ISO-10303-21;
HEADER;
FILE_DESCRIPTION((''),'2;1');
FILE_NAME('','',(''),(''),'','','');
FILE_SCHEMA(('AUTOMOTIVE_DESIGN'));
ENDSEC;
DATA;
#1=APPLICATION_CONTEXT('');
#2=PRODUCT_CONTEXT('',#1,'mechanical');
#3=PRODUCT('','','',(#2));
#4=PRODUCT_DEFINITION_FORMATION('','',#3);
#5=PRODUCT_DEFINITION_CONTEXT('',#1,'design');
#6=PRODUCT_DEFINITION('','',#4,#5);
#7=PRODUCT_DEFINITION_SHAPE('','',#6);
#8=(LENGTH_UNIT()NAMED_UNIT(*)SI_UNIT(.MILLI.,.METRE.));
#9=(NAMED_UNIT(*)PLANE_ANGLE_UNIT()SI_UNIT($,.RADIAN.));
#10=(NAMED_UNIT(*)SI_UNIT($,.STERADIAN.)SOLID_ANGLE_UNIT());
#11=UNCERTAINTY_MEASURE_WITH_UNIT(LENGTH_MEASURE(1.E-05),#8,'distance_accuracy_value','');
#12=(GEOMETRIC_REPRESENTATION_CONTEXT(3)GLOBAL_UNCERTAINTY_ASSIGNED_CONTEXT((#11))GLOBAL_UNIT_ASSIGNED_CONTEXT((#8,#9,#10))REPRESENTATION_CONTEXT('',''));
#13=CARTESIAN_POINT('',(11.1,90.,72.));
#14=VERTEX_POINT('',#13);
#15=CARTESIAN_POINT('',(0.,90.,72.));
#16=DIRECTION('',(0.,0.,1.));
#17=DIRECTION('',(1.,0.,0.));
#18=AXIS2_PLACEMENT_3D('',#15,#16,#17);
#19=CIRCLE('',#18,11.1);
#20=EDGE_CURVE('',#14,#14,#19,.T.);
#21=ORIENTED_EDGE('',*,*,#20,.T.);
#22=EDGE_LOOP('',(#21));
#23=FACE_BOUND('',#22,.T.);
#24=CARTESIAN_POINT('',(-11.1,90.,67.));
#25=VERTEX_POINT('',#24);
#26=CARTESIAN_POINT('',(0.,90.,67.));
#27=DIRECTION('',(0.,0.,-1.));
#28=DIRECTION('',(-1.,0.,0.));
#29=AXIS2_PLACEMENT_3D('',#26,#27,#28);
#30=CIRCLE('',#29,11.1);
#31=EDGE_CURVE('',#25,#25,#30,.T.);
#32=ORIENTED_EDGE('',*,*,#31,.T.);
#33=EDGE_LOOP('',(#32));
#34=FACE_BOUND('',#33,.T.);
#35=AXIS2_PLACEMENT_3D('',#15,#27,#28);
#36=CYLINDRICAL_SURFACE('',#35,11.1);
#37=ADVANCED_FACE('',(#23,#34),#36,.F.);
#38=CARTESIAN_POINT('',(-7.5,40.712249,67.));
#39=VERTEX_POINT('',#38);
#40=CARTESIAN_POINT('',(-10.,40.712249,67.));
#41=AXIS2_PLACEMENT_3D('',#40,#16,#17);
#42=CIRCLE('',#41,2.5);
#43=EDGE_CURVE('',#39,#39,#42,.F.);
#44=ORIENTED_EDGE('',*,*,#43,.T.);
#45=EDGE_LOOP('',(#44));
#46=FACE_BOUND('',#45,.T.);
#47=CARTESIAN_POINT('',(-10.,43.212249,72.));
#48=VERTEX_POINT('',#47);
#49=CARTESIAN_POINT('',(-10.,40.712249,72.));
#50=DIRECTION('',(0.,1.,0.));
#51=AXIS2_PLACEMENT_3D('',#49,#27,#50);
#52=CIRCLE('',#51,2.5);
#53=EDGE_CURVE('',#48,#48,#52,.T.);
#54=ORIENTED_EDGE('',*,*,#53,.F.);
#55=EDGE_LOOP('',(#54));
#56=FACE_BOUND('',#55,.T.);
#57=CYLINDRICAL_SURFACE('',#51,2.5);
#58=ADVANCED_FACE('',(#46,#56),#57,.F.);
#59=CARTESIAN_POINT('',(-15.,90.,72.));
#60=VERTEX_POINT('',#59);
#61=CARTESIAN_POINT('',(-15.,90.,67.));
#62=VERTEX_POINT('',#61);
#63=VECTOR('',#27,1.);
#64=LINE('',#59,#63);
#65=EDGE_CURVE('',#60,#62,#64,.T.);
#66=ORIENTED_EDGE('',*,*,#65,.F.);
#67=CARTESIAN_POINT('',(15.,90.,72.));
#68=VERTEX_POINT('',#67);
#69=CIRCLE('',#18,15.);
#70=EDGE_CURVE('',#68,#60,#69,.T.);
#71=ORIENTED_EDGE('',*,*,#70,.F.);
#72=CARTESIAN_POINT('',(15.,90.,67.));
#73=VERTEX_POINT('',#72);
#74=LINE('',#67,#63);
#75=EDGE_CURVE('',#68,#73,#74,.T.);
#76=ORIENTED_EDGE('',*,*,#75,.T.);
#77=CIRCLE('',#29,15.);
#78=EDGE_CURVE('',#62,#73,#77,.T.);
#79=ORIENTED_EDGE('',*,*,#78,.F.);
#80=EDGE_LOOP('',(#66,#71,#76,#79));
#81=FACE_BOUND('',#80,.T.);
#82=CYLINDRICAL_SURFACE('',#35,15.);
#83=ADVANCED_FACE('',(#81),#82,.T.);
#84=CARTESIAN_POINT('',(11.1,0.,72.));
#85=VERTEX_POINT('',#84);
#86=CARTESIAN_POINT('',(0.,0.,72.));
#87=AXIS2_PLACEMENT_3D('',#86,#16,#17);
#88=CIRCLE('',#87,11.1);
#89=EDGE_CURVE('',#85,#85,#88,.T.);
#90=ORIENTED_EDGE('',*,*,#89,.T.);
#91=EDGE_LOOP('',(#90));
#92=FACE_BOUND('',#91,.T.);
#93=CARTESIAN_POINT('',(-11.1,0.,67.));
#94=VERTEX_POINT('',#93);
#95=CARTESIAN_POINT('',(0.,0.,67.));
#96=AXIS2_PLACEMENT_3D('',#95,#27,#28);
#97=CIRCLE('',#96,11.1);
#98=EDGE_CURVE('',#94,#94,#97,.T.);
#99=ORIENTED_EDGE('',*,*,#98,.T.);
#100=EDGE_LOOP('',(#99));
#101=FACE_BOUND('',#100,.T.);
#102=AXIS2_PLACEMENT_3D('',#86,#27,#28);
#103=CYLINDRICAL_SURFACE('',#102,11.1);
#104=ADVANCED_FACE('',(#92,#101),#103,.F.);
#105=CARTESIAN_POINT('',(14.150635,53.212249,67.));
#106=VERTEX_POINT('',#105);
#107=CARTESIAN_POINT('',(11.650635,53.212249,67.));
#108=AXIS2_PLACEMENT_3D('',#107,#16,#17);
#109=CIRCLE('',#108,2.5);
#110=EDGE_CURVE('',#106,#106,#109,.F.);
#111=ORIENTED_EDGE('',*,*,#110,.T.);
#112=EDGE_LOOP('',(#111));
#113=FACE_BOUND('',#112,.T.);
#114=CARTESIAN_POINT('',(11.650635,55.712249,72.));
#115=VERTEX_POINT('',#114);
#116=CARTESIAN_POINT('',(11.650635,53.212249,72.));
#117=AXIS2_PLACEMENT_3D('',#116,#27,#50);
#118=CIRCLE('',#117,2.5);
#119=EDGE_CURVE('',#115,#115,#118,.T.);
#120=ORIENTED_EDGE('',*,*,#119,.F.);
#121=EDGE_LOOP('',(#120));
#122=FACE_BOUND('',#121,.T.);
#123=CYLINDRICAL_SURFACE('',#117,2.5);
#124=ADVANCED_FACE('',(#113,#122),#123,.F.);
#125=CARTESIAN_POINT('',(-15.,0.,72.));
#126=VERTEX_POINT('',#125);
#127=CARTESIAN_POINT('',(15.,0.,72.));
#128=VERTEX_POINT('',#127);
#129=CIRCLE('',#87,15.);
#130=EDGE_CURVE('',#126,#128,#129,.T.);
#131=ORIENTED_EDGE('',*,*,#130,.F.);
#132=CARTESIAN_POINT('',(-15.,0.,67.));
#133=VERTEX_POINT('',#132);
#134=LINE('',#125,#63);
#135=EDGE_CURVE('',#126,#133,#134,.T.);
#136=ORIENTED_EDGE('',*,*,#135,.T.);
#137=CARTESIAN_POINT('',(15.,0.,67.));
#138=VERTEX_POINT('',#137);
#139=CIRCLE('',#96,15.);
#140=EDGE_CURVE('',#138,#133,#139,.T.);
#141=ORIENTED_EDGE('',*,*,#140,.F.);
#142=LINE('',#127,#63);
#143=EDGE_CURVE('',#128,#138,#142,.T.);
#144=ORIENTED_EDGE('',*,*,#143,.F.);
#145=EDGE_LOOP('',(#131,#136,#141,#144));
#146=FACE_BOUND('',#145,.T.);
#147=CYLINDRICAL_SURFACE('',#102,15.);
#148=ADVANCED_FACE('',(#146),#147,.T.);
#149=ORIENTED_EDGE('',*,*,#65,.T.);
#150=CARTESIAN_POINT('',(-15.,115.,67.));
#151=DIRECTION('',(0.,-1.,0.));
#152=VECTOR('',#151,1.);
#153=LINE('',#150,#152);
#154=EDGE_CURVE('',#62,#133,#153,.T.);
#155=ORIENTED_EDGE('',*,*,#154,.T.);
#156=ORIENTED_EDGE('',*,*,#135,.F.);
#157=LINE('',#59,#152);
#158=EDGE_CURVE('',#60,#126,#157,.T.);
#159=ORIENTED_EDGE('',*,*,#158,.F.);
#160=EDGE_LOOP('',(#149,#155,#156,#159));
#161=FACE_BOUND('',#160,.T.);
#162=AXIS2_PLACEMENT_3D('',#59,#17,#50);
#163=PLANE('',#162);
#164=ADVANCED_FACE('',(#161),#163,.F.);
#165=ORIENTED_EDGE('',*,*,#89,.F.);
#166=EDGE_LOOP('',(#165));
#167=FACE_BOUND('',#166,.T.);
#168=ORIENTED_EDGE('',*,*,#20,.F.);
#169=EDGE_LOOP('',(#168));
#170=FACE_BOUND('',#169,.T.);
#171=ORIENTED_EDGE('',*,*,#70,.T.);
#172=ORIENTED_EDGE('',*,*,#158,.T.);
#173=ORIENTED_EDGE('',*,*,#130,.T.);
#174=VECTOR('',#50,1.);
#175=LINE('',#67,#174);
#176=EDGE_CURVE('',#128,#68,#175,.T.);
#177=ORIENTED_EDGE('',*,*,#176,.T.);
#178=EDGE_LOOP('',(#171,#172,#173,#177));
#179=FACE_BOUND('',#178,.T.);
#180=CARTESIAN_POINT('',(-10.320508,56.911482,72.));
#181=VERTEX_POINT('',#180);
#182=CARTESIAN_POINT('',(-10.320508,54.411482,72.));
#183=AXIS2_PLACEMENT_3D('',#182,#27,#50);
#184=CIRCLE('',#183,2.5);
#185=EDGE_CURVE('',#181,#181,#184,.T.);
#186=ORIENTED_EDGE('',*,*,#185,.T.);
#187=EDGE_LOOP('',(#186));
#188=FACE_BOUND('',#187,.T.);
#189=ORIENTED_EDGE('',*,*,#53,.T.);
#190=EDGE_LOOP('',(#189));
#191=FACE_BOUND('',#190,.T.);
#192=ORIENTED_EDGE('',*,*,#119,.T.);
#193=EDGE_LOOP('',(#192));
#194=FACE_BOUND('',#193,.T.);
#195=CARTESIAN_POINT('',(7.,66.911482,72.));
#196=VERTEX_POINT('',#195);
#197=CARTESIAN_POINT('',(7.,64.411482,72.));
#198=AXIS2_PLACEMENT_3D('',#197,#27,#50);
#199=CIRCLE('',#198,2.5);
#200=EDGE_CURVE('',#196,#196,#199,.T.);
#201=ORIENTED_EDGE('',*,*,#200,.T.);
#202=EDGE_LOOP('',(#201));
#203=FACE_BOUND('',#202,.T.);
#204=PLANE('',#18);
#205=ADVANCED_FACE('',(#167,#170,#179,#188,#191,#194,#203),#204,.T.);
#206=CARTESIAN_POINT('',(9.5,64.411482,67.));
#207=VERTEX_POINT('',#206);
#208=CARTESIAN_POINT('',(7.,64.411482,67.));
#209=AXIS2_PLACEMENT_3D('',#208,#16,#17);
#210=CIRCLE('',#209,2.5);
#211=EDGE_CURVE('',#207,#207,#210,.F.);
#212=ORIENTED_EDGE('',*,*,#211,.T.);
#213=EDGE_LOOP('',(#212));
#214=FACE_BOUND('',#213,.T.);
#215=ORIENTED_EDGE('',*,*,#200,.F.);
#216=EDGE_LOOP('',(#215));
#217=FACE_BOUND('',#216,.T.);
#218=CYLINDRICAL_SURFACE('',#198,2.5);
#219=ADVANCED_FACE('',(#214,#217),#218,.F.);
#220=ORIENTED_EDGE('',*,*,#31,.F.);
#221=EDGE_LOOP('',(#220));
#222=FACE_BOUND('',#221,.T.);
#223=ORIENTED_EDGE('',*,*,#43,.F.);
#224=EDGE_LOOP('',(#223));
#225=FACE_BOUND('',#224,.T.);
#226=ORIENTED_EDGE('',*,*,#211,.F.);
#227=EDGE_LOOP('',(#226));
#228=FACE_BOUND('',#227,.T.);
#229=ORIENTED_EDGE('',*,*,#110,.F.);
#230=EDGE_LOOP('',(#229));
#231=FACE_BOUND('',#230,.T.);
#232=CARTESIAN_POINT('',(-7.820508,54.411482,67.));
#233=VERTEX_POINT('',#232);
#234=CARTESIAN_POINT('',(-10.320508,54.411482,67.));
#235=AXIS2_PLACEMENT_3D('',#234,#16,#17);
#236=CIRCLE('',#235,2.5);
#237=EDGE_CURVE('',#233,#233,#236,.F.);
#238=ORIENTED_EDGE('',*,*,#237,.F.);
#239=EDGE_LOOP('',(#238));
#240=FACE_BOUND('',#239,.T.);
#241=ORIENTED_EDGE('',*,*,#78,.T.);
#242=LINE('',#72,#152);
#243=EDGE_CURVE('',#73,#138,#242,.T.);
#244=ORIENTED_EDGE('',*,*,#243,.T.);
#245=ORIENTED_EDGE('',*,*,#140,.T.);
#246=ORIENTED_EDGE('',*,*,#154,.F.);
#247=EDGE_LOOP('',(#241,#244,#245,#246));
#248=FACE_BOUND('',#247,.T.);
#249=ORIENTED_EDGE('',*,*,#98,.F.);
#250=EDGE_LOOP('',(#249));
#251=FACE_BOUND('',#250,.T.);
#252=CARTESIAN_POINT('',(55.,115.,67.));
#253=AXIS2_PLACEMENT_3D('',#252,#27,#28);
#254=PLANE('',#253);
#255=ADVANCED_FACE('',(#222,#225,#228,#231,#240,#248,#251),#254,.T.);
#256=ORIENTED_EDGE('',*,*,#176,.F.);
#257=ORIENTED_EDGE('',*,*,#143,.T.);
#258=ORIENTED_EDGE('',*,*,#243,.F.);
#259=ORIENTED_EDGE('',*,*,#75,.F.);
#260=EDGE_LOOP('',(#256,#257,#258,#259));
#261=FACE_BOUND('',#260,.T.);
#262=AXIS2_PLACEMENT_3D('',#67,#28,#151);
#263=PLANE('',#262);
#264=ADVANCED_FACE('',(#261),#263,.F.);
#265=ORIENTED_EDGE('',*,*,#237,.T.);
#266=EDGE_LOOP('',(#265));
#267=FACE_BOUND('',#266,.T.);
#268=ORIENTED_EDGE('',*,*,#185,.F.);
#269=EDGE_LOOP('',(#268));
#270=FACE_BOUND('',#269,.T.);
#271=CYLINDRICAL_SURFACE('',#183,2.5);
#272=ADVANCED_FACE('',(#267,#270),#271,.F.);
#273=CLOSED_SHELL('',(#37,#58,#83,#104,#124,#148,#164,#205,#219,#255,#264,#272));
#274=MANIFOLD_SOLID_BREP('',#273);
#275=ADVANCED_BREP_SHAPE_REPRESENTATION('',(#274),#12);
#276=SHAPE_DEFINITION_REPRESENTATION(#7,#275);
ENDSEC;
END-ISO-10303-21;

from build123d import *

# Parameters (mm, degrees)
SKETCH_1_R               = 11.1
EXTRUDE_1_DEPTH          = 72
SKETCH_2_W               = 62
SKETCH_2_H               = 70
SKETCH_2_H_2             = 67.94057246
CUT_EXTRUDE_1_DEPTH      = 70
EXTRUDE_2_DEPTH          = 62
EXTRUDE_3_DEPTH          = 62
CUT_EXTRUDE_3_DEPTH      = 130.811063026
CUT_EXTRUDE_3_DEPTH_BACK = 130.811063026
SKETCH_6_R               = 2.5
CUT_EXTRUDE_4_DEPTH      = 136.359998088
CUT_EXTRUDE_4_DEPTH_BACK = 136.359998088
SKETCH_7_W               = 62
SKETCH_7_H               = 120


with BuildPart() as part:
    # 草图1 → 凸台-拉伸1 (new body)
    with BuildSketch(Plane.XY):
        with BuildLine():
            Line((-15, 90), (-15, 0))
            ThreePointArc((-15, 0), (0, -15), (15, 0))
            Line((15, 0), (15, 90))
            ThreePointArc((15, 90), (0, 105), (-15, 90))
        make_face()
        Circle(SKETCH_1_R, mode=Mode.SUBTRACT)
        with Locations((0, 90)):
            Circle(SKETCH_1_R, mode=Mode.SUBTRACT)
    extrude(amount=EXTRUDE_1_DEPTH)

    # 草图2 → 切除-拉伸1 (cut)
    with BuildSketch(Plane.ZY.offset(15)):
        with Locations((36, 80)):
            Rectangle(SKETCH_2_W, SKETCH_2_H)
        with Locations((36, 11.02971377)):
            Rectangle(SKETCH_2_W, SKETCH_2_H_2)
    extrude(amount=-CUT_EXTRUDE_1_DEPTH, mode=Mode.SUBTRACT)


with BuildPart() as cut_extrude_1_piece_1:
    # of the separate pieces the step leaves, piece 1, a body of its own (cut_extrude_1_pieces)
    add(part.part.solids().sort_by_distance((15, 0, 0))[0])



with BuildPart() as cut_extrude_1_piece_2:
    # of the separate pieces the step leaves, piece 2, a body of its own (cut_extrude_1_pieces)
    add(part.part.solids().sort_by_distance((15, 0, 67))[0])


with BuildPart() as cut_extrude_1_piece_1_1:
    add(cut_extrude_1_piece_1.part)

    add(cut_extrude_1_piece_2.part)  # 凸台-拉伸2 merges 切除-拉伸1 piece 2
    # 草图4 → 凸台-拉伸2 (add)
    with BuildSketch(Plane(origin=(0, 0, 67), x_dir=(-1, 0, 0), z_dir=(0, 0, -1))):
        with BuildLine():
            Line((-4.490156776, 68.758657712), (15, 57.50601045))
            Line((15, 57.50601045), (36.319312502, 12.911360415))
            ThreePointArc((36.319312502, 12.911360415), (35.142094618, 9.577570071), (31.808304274, 10.754787955))
            Line((31.808304274, 10.754787955), (15, 45.913541163))
            Line((15, 45.913541163), (-9.509843224, 60.064305746))
            ThreePointArc((-9.509843224, 60.064305746), (-11.347175983, 66.921324953), (-4.490156776, 68.758657712))
        make_face()
    extrude(amount=EXTRUDE_2_DEPTH)

    # 草图5 → 凸台-拉伸3 (add)
    with BuildSketch(Plane(origin=(0, 0, 67), x_dir=(-1, 0, 0), z_dir=(0, 0, -1))):
        with BuildLine():
            Line((-30.017605928, 49.094069219), (-15, 60.919508718))
            Line((-15, 60.919508718), (12.5, 45.042376315))
            ThreePointArc((12.5, 45.042376315), (14.330127019, 38.212249296), (7.5, 36.382122277))
            Line((7.5, 36.382122277), (-15, 49.372503334))
            Line((-15, 49.372503334), (-27.615908762, 44.780688066))
            ThreePointArc((-27.615908762, 44.780688066), (-30.655195979, 45.913733224), (-30.017605928, 49.094069219))
        make_face()
    extrude(amount=EXTRUDE_3_DEPTH)

    # 草图6 → 切除-拉伸3 (cut, two sides: drawn at the far end of the back side and taken through both)
    with BuildSketch(Plane(origin=(0, 0, 67), x_dir=(-1, 0, 0), z_dir=(0, 0, -1)).offset(-CUT_EXTRUDE_3_DEPTH_BACK)):
        with Locations(Location((-7, 64.411481729, 0), (0, 0, 90))):
            Circle(SKETCH_6_R)
        with Locations(Location((-11.650635095, 53.212249296, 0), (0, 0, 90))):
            Circle(SKETCH_6_R)
        with Locations(Location((10, 40.712249296, 0), (0, 0, 90))):
            Circle(SKETCH_6_R)
        with Locations(Location((10.320508076, 54.411481729, 0), (0, 0, 90))):
            Circle(SKETCH_6_R)
    extrude(amount=CUT_EXTRUDE_3_DEPTH + CUT_EXTRUDE_3_DEPTH_BACK, mode=Mode.SUBTRACT)

    # 草图7 → 切除-拉伸4 (cut, two sides: drawn at the far end of the back side and taken through both)
    with BuildSketch(Plane.ZY.offset(15).offset(-CUT_EXTRUDE_4_DEPTH_BACK)):
        with Locations((36, 45)):
            Rectangle(SKETCH_7_W, SKETCH_7_H)
    extrude(amount=CUT_EXTRUDE_4_DEPTH + CUT_EXTRUDE_4_DEPTH_BACK, mode=Mode.SUBTRACT)


with BuildPart() as cut_extrude_4_piece_1:
    # of the separate pieces the step leaves, piece 1, a body of its own (cut_extrude_4_pieces)
    add(cut_extrude_1_piece_1_1.part.solids().sort_by_distance((-15, 90, 5))[0])


with BuildPart() as cut_extrude_4_piece_2:
    # of the separate pieces the step leaves, piece 2, a body of its own (cut_extrude_4_pieces)
    add(cut_extrude_1_piece_1_1.part.solids().sort_by_distance((15, 0, 67))[0])


solid = cut_extrude_4_piece_2.part
